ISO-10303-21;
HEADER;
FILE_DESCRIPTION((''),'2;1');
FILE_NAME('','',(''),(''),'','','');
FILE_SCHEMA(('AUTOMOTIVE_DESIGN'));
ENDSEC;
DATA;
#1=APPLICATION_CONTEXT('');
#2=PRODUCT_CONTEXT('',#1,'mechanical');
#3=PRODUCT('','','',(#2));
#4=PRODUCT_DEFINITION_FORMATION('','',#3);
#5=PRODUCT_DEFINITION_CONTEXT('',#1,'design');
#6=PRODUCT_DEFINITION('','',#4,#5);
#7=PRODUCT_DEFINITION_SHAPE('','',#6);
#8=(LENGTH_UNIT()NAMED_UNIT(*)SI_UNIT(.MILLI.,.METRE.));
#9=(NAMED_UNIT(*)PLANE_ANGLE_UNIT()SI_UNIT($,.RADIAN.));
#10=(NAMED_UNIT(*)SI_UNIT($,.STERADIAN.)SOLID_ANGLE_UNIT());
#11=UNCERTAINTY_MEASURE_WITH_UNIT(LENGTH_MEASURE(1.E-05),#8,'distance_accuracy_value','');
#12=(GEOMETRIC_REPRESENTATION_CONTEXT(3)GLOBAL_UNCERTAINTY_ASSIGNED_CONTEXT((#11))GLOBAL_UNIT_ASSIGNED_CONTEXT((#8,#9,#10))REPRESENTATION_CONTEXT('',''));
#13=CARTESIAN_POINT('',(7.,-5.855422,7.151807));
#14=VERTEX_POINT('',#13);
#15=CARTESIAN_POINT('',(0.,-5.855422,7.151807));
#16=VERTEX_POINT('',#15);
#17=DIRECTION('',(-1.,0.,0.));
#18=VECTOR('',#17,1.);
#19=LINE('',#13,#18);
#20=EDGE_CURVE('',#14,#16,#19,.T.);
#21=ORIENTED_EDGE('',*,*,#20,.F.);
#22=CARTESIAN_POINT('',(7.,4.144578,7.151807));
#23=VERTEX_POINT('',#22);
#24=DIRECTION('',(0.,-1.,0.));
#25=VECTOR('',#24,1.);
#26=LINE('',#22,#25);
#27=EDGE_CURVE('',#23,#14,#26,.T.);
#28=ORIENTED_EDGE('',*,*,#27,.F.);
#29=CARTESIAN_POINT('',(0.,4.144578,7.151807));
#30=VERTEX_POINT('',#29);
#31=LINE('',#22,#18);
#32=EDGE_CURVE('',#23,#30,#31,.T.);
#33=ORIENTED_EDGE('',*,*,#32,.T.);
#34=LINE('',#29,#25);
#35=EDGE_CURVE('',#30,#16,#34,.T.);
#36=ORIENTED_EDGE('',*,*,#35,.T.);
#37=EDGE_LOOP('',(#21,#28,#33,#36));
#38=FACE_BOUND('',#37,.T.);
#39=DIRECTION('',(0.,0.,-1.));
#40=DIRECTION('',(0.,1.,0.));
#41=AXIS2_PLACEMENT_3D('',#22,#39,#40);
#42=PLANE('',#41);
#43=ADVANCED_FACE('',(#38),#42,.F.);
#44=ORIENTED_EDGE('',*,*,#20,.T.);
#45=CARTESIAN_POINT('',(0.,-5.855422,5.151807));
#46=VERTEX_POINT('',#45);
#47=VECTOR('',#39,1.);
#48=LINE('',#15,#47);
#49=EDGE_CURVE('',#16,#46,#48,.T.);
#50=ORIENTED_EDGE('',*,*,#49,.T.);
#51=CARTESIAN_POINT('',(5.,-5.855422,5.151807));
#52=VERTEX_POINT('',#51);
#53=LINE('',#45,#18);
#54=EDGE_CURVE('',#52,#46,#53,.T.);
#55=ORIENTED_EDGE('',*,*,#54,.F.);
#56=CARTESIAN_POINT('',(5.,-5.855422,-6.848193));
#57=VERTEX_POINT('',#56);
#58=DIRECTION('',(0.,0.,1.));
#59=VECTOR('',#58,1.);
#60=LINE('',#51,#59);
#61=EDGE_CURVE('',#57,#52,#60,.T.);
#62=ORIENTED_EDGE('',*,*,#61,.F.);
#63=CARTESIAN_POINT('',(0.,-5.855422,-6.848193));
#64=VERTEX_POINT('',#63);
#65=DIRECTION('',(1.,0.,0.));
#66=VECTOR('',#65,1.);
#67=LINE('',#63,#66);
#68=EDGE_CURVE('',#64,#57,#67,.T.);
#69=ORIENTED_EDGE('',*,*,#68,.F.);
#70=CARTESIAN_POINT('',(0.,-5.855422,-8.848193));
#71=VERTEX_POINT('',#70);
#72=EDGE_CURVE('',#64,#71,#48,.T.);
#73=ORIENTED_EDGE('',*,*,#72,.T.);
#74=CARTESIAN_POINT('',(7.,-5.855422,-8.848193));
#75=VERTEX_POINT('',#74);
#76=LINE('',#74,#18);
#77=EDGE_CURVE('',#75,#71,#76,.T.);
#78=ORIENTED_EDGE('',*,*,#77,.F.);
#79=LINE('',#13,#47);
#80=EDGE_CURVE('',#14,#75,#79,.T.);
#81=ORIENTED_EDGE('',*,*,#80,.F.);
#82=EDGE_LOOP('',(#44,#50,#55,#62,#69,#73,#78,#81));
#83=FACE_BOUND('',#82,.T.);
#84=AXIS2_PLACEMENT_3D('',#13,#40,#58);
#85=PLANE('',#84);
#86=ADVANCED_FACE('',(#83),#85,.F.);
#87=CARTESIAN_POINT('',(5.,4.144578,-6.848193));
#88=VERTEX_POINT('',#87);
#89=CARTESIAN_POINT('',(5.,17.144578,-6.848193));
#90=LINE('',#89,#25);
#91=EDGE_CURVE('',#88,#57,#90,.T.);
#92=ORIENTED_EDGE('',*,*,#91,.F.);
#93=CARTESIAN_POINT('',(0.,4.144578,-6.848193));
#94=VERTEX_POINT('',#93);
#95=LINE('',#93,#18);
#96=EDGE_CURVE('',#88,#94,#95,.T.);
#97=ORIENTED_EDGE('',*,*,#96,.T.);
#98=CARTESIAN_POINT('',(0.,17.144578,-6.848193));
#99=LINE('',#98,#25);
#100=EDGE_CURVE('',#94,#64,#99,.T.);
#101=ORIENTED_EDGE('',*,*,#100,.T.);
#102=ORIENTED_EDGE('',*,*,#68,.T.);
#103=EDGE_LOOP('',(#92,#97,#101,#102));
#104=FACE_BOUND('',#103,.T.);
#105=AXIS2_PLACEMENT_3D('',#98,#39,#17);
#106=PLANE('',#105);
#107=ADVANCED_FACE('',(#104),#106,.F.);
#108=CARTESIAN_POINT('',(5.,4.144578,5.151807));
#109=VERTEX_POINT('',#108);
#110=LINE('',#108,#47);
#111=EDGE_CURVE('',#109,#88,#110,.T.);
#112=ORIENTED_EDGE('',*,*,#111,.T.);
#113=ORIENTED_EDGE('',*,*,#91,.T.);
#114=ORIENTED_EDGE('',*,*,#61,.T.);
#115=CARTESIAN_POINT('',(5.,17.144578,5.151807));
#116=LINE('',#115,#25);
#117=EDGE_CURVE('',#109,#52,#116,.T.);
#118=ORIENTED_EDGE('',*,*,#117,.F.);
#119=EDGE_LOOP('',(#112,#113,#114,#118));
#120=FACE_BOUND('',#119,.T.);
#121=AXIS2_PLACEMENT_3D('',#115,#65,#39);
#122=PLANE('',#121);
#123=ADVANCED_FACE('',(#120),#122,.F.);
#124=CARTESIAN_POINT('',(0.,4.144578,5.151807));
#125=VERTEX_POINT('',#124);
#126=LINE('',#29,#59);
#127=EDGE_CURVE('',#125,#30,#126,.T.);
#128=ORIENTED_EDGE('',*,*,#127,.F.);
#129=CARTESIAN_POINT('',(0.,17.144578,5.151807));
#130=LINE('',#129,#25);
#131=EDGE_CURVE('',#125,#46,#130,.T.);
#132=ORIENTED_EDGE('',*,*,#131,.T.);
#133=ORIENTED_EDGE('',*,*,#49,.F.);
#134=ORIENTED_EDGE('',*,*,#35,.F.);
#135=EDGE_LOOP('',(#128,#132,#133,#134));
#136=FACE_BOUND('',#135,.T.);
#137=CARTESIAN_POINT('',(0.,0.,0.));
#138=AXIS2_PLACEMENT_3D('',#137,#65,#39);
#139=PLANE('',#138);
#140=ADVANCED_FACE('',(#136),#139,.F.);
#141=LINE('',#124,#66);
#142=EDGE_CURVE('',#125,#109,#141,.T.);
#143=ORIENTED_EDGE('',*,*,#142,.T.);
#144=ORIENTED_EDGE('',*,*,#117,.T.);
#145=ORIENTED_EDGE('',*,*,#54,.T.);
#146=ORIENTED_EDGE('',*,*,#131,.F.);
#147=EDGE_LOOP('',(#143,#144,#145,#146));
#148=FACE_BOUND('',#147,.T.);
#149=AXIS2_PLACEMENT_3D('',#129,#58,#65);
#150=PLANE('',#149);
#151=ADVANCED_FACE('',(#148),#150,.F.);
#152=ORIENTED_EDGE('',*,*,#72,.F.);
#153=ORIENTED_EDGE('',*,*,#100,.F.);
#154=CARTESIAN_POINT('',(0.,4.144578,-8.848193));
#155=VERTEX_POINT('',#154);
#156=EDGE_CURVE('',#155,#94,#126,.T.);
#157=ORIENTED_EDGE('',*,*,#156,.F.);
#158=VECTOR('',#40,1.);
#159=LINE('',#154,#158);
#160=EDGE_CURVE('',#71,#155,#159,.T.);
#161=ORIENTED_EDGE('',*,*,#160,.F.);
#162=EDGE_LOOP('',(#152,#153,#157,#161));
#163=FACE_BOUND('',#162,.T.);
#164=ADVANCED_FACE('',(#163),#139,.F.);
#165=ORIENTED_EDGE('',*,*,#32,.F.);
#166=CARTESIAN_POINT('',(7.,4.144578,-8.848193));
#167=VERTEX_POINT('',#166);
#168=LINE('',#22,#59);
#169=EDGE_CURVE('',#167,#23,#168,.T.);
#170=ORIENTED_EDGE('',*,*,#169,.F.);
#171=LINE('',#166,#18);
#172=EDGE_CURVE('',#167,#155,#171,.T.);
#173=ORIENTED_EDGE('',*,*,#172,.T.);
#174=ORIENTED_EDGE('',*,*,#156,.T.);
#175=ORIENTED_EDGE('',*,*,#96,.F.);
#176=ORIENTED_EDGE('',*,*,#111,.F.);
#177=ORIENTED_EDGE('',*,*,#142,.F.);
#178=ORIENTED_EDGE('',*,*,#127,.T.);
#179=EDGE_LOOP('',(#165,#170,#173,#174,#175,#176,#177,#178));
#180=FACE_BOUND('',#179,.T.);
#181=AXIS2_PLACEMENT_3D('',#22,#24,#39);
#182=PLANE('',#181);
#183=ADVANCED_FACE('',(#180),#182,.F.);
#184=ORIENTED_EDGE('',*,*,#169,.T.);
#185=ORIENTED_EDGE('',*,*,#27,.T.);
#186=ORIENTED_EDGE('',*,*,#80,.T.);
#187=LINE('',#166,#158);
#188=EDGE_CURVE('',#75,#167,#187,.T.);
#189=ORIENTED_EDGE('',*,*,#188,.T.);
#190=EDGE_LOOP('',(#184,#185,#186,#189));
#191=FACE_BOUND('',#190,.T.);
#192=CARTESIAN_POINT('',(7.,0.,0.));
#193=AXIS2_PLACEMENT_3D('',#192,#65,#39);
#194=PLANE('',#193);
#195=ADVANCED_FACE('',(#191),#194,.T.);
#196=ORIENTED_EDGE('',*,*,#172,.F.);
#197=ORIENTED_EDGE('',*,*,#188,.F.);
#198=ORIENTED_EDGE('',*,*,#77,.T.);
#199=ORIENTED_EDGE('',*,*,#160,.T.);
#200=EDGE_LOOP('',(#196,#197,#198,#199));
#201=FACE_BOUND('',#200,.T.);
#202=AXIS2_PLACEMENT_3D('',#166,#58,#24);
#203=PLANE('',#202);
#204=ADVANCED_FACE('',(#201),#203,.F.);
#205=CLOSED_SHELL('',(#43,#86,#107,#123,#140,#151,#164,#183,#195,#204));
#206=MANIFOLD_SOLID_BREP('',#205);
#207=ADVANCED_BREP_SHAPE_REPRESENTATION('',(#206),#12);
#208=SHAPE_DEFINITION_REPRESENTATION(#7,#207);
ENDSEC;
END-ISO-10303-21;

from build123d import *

# Parameters (mm, degrees)
SKETCH1_W           = 16
SKETCH1_H           = 10
BOSS_EXTRUDE1_DEPTH = 7
SKETCH2_W           = 5
SKETCH2_H           = 12
CUT_EXTRUDE1_DEPTH  = 10


with BuildPart() as part:
    # Sketch1 → Boss-Extrude1 (new body)
    with BuildSketch(Plane(origin=(0, 0, 0), x_dir=(0, 0, -1), z_dir=(1, 0, 0))):
        with Locations((0.848192771, -0.855421687)):
            Rectangle(SKETCH1_W, SKETCH1_H)
    extrude(amount=BOSS_EXTRUDE1_DEPTH)

    # Sketch2 → Cut-Extrude1 (cut)
    with BuildSketch(Plane(origin=(0, -5.855421687, 0), x_dir=(-1, 0, 0), z_dir=(0, -1, 0))):
        with Locations((-2.5, 0.848192771)):
            Rectangle(SKETCH2_W, SKETCH2_H)
    extrude(amount=-CUT_EXTRUDE1_DEPTH, mode=Mode.SUBTRACT)


solid = part.part
